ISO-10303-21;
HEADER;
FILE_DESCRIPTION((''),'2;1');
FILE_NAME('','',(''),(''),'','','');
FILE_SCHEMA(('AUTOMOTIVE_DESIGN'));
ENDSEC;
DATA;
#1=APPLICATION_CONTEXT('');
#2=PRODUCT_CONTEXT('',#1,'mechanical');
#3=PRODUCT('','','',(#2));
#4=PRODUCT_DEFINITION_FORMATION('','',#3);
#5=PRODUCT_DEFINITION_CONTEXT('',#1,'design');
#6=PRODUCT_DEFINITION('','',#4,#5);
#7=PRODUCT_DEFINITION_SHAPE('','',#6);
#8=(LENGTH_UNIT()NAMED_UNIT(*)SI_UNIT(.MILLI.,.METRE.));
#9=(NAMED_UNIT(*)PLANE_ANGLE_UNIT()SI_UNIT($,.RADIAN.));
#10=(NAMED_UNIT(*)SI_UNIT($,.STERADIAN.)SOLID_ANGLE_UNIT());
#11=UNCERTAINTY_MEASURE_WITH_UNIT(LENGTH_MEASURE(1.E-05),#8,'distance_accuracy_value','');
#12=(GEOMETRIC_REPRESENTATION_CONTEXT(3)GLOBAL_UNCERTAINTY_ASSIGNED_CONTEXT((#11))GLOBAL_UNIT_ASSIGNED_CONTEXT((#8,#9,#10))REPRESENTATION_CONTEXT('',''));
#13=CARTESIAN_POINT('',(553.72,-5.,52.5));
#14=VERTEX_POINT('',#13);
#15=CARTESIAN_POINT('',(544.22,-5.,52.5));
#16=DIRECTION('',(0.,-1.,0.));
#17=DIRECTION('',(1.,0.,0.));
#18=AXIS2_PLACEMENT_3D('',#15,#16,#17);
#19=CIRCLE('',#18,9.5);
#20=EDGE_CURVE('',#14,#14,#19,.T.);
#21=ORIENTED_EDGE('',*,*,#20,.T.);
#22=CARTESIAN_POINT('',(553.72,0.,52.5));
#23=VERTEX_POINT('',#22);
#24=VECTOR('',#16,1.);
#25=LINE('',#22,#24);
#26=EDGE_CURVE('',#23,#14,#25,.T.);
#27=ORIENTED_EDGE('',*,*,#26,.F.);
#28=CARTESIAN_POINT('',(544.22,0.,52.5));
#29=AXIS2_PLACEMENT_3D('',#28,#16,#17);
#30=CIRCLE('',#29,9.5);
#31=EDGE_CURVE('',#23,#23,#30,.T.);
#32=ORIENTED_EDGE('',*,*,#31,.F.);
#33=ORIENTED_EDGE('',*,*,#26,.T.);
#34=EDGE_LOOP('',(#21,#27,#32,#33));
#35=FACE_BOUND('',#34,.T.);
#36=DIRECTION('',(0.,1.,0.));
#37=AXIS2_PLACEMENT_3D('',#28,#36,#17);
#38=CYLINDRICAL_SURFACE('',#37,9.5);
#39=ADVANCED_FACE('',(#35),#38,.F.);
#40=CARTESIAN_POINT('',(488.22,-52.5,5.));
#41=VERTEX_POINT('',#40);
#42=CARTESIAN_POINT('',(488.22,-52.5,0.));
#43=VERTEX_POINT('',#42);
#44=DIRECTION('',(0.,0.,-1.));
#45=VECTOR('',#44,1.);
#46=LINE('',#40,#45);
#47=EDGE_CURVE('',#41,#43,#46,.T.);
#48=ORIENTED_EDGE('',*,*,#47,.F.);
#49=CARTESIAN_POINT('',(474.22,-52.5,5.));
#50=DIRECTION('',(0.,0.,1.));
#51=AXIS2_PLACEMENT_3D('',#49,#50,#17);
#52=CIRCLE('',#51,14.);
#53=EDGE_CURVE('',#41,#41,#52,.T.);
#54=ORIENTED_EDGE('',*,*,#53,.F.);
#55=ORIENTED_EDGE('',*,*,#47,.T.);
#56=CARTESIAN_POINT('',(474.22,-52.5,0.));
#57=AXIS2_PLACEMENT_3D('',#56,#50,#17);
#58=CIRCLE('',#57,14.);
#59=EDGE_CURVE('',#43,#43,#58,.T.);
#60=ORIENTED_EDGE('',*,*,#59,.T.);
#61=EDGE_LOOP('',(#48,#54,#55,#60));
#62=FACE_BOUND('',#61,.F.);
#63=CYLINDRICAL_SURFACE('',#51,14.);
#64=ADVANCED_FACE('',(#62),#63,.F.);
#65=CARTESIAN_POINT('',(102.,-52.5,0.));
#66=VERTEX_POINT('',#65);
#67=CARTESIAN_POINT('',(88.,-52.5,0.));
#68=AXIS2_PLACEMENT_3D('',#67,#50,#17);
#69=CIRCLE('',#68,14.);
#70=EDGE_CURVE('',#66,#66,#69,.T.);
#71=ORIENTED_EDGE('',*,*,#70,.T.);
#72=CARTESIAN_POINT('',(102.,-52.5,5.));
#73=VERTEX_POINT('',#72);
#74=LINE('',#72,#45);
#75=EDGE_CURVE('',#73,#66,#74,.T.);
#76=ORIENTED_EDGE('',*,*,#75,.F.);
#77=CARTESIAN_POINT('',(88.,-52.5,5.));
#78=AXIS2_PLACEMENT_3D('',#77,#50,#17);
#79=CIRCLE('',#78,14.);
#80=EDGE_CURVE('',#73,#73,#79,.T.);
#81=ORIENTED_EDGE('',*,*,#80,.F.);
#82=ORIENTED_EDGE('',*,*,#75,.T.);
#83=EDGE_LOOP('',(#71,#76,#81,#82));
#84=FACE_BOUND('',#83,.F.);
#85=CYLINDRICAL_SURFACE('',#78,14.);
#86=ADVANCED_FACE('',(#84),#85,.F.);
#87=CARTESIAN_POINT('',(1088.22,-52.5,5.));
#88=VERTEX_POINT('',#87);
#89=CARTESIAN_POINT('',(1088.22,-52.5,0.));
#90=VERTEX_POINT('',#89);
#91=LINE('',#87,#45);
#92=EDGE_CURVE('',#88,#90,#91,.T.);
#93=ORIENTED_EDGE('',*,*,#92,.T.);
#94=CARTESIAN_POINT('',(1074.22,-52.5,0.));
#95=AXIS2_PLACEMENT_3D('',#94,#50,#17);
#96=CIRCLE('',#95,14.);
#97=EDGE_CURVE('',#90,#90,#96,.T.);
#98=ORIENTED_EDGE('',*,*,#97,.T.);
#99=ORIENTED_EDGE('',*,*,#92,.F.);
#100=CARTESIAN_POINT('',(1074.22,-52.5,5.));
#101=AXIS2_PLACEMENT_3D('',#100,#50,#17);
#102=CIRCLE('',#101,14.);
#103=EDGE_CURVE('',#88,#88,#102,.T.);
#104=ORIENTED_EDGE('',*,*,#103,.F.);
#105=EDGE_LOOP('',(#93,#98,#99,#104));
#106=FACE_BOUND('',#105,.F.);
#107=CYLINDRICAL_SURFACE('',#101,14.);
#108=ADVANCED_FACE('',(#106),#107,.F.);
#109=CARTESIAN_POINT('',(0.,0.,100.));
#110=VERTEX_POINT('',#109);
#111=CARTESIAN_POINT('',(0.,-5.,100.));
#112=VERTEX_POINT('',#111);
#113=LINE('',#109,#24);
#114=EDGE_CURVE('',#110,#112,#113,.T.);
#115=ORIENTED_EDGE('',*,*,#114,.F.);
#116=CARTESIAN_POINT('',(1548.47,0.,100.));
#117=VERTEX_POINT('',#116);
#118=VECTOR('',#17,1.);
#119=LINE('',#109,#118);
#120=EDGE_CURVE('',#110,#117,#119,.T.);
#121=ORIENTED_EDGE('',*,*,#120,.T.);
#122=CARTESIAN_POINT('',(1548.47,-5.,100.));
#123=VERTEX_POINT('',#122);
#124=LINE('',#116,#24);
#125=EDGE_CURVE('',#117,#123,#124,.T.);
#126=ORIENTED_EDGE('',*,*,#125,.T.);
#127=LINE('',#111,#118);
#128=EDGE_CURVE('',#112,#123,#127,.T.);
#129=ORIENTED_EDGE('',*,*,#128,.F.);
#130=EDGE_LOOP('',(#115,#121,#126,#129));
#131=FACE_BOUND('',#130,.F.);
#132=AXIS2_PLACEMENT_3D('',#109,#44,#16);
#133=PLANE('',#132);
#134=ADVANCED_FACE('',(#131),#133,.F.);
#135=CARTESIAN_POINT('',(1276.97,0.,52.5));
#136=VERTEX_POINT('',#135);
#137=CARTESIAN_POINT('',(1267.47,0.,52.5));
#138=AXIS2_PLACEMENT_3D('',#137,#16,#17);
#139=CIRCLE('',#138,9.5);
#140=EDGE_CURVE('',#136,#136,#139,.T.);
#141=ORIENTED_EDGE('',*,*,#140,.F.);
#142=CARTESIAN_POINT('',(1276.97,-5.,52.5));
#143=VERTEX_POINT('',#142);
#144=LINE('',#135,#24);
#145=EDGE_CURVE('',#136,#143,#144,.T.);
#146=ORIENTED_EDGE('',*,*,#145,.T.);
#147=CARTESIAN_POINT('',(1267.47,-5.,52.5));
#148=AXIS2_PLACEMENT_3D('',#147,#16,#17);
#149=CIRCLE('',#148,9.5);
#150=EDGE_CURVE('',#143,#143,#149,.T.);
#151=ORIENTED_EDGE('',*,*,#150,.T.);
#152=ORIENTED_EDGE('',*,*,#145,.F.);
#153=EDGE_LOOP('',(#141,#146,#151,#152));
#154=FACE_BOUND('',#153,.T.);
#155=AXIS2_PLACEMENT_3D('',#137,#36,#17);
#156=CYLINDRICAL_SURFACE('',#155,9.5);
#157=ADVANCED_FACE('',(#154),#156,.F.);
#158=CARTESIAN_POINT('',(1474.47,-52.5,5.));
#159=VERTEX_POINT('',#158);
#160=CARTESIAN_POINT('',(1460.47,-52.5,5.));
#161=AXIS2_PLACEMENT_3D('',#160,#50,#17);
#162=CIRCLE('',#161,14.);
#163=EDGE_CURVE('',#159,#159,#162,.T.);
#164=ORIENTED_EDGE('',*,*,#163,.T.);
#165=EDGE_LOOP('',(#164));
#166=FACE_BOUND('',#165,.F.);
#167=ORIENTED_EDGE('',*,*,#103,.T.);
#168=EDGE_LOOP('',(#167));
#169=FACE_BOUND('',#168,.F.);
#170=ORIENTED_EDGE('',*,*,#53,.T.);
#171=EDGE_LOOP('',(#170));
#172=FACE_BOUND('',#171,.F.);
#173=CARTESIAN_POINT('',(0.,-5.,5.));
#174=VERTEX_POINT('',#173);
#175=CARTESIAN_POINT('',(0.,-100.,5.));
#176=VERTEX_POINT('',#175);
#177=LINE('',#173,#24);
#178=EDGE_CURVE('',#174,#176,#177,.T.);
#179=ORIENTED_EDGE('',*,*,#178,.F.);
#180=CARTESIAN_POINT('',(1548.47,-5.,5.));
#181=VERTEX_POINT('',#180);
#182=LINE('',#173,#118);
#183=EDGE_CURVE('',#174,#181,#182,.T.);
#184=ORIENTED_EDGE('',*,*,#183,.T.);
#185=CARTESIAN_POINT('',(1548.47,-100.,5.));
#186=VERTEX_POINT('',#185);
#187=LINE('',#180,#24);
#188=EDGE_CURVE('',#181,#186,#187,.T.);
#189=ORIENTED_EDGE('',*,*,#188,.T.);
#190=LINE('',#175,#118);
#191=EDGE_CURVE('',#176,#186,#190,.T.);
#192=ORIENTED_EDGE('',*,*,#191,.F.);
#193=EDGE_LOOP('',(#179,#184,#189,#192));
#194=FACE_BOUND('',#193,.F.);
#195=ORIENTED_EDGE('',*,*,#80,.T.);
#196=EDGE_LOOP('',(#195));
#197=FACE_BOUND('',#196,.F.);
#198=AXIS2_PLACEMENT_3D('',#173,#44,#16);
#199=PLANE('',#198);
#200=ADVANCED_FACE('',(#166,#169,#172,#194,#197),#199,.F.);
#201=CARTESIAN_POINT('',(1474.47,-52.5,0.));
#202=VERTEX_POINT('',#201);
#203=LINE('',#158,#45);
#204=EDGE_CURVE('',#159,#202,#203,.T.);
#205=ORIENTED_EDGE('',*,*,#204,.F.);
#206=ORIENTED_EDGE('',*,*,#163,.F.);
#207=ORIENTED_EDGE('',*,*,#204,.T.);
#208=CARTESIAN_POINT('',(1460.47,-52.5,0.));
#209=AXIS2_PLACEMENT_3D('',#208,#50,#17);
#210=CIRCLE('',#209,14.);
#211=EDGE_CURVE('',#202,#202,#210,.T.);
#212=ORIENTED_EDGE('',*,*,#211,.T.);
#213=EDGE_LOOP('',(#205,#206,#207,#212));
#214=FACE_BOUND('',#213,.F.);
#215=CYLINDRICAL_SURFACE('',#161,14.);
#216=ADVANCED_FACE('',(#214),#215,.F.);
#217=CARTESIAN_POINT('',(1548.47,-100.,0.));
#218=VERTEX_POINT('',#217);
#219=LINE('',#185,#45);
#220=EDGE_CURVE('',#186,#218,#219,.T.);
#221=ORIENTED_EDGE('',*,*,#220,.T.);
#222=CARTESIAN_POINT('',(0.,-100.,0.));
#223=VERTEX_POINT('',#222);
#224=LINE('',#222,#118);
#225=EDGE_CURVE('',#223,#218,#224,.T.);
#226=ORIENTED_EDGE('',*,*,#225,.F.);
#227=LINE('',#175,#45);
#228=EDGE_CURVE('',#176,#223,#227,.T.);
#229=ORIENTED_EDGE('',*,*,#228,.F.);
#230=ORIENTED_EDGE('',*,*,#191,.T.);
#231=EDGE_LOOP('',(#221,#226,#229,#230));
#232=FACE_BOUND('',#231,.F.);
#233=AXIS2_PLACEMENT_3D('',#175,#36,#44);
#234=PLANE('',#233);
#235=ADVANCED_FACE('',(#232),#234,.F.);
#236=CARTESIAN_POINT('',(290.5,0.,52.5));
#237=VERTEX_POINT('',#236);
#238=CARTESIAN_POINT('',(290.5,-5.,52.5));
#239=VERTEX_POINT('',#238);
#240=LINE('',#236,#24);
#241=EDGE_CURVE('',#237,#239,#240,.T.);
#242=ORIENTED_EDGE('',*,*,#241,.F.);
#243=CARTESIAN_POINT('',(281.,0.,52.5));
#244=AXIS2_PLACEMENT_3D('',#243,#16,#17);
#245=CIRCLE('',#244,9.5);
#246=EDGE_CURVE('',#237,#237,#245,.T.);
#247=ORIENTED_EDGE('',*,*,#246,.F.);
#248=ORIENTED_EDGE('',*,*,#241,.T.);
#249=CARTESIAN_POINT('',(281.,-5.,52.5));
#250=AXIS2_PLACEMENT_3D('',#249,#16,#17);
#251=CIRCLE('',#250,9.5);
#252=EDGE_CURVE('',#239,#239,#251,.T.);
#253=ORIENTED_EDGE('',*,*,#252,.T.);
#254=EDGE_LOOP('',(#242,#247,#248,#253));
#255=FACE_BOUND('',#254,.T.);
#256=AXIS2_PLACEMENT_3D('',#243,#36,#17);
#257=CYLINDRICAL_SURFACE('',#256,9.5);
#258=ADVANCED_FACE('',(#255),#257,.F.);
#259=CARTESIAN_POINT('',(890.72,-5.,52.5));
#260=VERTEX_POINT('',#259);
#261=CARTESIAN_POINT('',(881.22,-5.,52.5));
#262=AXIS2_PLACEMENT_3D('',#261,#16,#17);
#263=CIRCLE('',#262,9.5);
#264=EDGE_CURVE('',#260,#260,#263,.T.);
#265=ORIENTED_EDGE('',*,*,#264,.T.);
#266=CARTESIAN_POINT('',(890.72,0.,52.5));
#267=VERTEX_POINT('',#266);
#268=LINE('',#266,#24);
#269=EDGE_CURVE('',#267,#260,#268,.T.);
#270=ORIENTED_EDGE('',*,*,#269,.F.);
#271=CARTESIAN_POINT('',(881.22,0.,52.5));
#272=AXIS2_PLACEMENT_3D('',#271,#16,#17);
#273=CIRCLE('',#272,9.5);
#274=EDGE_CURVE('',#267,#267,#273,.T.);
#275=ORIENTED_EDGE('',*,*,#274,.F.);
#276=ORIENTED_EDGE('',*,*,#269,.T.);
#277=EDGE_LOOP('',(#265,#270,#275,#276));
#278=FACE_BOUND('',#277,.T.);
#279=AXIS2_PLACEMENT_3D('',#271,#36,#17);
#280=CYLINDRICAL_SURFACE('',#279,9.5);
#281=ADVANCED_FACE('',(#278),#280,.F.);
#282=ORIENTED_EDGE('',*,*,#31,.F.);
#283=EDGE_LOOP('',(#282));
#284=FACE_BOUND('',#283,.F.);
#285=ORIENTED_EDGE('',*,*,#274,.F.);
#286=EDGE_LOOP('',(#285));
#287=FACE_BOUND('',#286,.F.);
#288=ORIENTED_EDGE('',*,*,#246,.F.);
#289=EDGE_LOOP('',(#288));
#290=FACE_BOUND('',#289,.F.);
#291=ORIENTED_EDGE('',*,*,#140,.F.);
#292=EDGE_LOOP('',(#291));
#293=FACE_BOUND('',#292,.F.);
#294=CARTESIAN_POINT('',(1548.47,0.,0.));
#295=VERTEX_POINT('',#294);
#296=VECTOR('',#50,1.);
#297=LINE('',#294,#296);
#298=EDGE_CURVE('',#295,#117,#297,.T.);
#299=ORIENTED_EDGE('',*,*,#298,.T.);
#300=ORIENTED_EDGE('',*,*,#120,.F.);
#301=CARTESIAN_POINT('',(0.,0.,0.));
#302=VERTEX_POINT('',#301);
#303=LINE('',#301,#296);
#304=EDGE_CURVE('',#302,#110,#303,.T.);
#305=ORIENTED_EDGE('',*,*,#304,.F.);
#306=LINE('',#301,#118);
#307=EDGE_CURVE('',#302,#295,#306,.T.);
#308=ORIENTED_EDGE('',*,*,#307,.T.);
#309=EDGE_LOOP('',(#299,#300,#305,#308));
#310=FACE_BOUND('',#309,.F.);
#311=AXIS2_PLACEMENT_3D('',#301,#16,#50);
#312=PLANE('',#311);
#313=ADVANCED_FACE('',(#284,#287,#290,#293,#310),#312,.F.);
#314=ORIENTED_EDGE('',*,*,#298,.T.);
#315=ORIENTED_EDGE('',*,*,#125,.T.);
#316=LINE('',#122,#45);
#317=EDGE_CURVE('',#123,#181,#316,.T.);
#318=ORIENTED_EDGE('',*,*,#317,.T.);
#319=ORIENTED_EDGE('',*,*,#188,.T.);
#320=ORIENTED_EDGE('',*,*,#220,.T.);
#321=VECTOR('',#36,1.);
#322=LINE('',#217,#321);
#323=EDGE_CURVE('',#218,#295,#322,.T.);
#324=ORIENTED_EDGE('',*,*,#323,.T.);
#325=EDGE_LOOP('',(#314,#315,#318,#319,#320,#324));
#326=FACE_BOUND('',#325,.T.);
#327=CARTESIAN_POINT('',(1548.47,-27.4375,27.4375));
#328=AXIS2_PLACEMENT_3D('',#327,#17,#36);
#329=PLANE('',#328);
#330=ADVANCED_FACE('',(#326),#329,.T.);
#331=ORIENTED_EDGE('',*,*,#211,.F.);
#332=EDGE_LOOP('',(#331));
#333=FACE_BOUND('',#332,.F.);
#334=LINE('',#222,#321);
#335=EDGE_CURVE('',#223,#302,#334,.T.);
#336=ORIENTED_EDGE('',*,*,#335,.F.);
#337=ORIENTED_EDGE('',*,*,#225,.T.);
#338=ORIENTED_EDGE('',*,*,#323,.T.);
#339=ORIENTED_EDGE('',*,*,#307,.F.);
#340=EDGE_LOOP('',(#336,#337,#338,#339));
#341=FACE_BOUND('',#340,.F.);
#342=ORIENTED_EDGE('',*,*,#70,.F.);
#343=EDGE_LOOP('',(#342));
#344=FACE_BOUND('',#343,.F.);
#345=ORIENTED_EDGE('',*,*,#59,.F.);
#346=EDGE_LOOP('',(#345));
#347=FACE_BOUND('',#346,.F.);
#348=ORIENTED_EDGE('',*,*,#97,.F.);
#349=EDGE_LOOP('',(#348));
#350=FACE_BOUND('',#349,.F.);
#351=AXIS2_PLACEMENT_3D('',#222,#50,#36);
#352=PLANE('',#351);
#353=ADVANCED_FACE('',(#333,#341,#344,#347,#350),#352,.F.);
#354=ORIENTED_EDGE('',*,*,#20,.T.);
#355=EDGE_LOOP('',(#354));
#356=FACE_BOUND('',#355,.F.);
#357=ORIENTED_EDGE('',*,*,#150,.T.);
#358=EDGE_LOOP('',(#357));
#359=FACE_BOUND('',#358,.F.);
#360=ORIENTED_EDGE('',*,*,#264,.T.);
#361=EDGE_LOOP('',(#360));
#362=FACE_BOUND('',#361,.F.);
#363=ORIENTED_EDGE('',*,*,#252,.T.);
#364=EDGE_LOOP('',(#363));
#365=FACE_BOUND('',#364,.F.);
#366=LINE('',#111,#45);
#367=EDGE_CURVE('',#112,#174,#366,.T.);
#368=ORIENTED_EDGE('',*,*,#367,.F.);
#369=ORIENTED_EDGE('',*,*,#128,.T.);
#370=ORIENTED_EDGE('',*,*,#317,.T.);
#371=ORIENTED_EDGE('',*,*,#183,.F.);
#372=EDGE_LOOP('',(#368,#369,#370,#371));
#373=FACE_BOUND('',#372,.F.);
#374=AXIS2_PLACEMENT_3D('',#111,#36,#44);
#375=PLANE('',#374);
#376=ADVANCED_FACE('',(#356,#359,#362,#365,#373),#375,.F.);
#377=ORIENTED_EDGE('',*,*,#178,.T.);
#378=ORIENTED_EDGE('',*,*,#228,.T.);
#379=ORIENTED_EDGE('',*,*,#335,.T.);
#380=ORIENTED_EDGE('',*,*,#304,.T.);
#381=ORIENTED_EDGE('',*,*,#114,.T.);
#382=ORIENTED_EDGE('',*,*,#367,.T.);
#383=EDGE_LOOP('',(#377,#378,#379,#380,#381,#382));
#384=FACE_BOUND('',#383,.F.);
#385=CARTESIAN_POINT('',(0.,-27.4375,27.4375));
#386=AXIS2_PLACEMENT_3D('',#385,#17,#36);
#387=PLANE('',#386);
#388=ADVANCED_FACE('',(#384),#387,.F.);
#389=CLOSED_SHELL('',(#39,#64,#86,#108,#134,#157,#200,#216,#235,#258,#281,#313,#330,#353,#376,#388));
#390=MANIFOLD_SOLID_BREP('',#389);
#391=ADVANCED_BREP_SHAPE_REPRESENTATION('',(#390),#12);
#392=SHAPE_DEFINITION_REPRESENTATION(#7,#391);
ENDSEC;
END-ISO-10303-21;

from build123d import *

# Parameters (mm, degrees)
F1_DEPTH = 1548.47
F2_R     = 14
F3_DEPTH = 5
F4_R     = 9.5
F5_DEPTH = 5


with BuildPart() as f1:
    # F0 (on Right) → F1 (new body)
    with BuildSketch(Plane.YZ):
        Polygon((0, 0), (0, 100), (-5, 100), (-5, 5), (-100, 5), (-100, 0), align=None)
    extrude(amount=F1_DEPTH)

    # F2 (on face) → F3 (cut, through all)
    with BuildSketch(Plane.XY.offset(5)):
        with Locations((474.22, -52.5)):
            Circle(F2_R)
        with Locations((1074.22, -52.5)):
            Circle(F2_R)
        with Locations((1460.47, -52.5)):
            Circle(F2_R)
        with Locations((88, -52.5)):
            Circle(F2_R)
    extrude(amount=-F3_DEPTH, mode=Mode.SUBTRACT)

    # F4 (on Front) → F5 (cut, through all)
    with BuildSketch(Plane.XZ):
        with Locations((1267.47, 52.5)):
            Circle(F4_R)
        with Locations((881.22, 52.5)):
            Circle(F4_R)
        with Locations((544.22, 52.5)):
            Circle(F4_R)
        with Locations((281, 52.5)):
            Circle(F4_R)
    extrude(amount=F5_DEPTH, mode=Mode.SUBTRACT)


solid = f1.part
